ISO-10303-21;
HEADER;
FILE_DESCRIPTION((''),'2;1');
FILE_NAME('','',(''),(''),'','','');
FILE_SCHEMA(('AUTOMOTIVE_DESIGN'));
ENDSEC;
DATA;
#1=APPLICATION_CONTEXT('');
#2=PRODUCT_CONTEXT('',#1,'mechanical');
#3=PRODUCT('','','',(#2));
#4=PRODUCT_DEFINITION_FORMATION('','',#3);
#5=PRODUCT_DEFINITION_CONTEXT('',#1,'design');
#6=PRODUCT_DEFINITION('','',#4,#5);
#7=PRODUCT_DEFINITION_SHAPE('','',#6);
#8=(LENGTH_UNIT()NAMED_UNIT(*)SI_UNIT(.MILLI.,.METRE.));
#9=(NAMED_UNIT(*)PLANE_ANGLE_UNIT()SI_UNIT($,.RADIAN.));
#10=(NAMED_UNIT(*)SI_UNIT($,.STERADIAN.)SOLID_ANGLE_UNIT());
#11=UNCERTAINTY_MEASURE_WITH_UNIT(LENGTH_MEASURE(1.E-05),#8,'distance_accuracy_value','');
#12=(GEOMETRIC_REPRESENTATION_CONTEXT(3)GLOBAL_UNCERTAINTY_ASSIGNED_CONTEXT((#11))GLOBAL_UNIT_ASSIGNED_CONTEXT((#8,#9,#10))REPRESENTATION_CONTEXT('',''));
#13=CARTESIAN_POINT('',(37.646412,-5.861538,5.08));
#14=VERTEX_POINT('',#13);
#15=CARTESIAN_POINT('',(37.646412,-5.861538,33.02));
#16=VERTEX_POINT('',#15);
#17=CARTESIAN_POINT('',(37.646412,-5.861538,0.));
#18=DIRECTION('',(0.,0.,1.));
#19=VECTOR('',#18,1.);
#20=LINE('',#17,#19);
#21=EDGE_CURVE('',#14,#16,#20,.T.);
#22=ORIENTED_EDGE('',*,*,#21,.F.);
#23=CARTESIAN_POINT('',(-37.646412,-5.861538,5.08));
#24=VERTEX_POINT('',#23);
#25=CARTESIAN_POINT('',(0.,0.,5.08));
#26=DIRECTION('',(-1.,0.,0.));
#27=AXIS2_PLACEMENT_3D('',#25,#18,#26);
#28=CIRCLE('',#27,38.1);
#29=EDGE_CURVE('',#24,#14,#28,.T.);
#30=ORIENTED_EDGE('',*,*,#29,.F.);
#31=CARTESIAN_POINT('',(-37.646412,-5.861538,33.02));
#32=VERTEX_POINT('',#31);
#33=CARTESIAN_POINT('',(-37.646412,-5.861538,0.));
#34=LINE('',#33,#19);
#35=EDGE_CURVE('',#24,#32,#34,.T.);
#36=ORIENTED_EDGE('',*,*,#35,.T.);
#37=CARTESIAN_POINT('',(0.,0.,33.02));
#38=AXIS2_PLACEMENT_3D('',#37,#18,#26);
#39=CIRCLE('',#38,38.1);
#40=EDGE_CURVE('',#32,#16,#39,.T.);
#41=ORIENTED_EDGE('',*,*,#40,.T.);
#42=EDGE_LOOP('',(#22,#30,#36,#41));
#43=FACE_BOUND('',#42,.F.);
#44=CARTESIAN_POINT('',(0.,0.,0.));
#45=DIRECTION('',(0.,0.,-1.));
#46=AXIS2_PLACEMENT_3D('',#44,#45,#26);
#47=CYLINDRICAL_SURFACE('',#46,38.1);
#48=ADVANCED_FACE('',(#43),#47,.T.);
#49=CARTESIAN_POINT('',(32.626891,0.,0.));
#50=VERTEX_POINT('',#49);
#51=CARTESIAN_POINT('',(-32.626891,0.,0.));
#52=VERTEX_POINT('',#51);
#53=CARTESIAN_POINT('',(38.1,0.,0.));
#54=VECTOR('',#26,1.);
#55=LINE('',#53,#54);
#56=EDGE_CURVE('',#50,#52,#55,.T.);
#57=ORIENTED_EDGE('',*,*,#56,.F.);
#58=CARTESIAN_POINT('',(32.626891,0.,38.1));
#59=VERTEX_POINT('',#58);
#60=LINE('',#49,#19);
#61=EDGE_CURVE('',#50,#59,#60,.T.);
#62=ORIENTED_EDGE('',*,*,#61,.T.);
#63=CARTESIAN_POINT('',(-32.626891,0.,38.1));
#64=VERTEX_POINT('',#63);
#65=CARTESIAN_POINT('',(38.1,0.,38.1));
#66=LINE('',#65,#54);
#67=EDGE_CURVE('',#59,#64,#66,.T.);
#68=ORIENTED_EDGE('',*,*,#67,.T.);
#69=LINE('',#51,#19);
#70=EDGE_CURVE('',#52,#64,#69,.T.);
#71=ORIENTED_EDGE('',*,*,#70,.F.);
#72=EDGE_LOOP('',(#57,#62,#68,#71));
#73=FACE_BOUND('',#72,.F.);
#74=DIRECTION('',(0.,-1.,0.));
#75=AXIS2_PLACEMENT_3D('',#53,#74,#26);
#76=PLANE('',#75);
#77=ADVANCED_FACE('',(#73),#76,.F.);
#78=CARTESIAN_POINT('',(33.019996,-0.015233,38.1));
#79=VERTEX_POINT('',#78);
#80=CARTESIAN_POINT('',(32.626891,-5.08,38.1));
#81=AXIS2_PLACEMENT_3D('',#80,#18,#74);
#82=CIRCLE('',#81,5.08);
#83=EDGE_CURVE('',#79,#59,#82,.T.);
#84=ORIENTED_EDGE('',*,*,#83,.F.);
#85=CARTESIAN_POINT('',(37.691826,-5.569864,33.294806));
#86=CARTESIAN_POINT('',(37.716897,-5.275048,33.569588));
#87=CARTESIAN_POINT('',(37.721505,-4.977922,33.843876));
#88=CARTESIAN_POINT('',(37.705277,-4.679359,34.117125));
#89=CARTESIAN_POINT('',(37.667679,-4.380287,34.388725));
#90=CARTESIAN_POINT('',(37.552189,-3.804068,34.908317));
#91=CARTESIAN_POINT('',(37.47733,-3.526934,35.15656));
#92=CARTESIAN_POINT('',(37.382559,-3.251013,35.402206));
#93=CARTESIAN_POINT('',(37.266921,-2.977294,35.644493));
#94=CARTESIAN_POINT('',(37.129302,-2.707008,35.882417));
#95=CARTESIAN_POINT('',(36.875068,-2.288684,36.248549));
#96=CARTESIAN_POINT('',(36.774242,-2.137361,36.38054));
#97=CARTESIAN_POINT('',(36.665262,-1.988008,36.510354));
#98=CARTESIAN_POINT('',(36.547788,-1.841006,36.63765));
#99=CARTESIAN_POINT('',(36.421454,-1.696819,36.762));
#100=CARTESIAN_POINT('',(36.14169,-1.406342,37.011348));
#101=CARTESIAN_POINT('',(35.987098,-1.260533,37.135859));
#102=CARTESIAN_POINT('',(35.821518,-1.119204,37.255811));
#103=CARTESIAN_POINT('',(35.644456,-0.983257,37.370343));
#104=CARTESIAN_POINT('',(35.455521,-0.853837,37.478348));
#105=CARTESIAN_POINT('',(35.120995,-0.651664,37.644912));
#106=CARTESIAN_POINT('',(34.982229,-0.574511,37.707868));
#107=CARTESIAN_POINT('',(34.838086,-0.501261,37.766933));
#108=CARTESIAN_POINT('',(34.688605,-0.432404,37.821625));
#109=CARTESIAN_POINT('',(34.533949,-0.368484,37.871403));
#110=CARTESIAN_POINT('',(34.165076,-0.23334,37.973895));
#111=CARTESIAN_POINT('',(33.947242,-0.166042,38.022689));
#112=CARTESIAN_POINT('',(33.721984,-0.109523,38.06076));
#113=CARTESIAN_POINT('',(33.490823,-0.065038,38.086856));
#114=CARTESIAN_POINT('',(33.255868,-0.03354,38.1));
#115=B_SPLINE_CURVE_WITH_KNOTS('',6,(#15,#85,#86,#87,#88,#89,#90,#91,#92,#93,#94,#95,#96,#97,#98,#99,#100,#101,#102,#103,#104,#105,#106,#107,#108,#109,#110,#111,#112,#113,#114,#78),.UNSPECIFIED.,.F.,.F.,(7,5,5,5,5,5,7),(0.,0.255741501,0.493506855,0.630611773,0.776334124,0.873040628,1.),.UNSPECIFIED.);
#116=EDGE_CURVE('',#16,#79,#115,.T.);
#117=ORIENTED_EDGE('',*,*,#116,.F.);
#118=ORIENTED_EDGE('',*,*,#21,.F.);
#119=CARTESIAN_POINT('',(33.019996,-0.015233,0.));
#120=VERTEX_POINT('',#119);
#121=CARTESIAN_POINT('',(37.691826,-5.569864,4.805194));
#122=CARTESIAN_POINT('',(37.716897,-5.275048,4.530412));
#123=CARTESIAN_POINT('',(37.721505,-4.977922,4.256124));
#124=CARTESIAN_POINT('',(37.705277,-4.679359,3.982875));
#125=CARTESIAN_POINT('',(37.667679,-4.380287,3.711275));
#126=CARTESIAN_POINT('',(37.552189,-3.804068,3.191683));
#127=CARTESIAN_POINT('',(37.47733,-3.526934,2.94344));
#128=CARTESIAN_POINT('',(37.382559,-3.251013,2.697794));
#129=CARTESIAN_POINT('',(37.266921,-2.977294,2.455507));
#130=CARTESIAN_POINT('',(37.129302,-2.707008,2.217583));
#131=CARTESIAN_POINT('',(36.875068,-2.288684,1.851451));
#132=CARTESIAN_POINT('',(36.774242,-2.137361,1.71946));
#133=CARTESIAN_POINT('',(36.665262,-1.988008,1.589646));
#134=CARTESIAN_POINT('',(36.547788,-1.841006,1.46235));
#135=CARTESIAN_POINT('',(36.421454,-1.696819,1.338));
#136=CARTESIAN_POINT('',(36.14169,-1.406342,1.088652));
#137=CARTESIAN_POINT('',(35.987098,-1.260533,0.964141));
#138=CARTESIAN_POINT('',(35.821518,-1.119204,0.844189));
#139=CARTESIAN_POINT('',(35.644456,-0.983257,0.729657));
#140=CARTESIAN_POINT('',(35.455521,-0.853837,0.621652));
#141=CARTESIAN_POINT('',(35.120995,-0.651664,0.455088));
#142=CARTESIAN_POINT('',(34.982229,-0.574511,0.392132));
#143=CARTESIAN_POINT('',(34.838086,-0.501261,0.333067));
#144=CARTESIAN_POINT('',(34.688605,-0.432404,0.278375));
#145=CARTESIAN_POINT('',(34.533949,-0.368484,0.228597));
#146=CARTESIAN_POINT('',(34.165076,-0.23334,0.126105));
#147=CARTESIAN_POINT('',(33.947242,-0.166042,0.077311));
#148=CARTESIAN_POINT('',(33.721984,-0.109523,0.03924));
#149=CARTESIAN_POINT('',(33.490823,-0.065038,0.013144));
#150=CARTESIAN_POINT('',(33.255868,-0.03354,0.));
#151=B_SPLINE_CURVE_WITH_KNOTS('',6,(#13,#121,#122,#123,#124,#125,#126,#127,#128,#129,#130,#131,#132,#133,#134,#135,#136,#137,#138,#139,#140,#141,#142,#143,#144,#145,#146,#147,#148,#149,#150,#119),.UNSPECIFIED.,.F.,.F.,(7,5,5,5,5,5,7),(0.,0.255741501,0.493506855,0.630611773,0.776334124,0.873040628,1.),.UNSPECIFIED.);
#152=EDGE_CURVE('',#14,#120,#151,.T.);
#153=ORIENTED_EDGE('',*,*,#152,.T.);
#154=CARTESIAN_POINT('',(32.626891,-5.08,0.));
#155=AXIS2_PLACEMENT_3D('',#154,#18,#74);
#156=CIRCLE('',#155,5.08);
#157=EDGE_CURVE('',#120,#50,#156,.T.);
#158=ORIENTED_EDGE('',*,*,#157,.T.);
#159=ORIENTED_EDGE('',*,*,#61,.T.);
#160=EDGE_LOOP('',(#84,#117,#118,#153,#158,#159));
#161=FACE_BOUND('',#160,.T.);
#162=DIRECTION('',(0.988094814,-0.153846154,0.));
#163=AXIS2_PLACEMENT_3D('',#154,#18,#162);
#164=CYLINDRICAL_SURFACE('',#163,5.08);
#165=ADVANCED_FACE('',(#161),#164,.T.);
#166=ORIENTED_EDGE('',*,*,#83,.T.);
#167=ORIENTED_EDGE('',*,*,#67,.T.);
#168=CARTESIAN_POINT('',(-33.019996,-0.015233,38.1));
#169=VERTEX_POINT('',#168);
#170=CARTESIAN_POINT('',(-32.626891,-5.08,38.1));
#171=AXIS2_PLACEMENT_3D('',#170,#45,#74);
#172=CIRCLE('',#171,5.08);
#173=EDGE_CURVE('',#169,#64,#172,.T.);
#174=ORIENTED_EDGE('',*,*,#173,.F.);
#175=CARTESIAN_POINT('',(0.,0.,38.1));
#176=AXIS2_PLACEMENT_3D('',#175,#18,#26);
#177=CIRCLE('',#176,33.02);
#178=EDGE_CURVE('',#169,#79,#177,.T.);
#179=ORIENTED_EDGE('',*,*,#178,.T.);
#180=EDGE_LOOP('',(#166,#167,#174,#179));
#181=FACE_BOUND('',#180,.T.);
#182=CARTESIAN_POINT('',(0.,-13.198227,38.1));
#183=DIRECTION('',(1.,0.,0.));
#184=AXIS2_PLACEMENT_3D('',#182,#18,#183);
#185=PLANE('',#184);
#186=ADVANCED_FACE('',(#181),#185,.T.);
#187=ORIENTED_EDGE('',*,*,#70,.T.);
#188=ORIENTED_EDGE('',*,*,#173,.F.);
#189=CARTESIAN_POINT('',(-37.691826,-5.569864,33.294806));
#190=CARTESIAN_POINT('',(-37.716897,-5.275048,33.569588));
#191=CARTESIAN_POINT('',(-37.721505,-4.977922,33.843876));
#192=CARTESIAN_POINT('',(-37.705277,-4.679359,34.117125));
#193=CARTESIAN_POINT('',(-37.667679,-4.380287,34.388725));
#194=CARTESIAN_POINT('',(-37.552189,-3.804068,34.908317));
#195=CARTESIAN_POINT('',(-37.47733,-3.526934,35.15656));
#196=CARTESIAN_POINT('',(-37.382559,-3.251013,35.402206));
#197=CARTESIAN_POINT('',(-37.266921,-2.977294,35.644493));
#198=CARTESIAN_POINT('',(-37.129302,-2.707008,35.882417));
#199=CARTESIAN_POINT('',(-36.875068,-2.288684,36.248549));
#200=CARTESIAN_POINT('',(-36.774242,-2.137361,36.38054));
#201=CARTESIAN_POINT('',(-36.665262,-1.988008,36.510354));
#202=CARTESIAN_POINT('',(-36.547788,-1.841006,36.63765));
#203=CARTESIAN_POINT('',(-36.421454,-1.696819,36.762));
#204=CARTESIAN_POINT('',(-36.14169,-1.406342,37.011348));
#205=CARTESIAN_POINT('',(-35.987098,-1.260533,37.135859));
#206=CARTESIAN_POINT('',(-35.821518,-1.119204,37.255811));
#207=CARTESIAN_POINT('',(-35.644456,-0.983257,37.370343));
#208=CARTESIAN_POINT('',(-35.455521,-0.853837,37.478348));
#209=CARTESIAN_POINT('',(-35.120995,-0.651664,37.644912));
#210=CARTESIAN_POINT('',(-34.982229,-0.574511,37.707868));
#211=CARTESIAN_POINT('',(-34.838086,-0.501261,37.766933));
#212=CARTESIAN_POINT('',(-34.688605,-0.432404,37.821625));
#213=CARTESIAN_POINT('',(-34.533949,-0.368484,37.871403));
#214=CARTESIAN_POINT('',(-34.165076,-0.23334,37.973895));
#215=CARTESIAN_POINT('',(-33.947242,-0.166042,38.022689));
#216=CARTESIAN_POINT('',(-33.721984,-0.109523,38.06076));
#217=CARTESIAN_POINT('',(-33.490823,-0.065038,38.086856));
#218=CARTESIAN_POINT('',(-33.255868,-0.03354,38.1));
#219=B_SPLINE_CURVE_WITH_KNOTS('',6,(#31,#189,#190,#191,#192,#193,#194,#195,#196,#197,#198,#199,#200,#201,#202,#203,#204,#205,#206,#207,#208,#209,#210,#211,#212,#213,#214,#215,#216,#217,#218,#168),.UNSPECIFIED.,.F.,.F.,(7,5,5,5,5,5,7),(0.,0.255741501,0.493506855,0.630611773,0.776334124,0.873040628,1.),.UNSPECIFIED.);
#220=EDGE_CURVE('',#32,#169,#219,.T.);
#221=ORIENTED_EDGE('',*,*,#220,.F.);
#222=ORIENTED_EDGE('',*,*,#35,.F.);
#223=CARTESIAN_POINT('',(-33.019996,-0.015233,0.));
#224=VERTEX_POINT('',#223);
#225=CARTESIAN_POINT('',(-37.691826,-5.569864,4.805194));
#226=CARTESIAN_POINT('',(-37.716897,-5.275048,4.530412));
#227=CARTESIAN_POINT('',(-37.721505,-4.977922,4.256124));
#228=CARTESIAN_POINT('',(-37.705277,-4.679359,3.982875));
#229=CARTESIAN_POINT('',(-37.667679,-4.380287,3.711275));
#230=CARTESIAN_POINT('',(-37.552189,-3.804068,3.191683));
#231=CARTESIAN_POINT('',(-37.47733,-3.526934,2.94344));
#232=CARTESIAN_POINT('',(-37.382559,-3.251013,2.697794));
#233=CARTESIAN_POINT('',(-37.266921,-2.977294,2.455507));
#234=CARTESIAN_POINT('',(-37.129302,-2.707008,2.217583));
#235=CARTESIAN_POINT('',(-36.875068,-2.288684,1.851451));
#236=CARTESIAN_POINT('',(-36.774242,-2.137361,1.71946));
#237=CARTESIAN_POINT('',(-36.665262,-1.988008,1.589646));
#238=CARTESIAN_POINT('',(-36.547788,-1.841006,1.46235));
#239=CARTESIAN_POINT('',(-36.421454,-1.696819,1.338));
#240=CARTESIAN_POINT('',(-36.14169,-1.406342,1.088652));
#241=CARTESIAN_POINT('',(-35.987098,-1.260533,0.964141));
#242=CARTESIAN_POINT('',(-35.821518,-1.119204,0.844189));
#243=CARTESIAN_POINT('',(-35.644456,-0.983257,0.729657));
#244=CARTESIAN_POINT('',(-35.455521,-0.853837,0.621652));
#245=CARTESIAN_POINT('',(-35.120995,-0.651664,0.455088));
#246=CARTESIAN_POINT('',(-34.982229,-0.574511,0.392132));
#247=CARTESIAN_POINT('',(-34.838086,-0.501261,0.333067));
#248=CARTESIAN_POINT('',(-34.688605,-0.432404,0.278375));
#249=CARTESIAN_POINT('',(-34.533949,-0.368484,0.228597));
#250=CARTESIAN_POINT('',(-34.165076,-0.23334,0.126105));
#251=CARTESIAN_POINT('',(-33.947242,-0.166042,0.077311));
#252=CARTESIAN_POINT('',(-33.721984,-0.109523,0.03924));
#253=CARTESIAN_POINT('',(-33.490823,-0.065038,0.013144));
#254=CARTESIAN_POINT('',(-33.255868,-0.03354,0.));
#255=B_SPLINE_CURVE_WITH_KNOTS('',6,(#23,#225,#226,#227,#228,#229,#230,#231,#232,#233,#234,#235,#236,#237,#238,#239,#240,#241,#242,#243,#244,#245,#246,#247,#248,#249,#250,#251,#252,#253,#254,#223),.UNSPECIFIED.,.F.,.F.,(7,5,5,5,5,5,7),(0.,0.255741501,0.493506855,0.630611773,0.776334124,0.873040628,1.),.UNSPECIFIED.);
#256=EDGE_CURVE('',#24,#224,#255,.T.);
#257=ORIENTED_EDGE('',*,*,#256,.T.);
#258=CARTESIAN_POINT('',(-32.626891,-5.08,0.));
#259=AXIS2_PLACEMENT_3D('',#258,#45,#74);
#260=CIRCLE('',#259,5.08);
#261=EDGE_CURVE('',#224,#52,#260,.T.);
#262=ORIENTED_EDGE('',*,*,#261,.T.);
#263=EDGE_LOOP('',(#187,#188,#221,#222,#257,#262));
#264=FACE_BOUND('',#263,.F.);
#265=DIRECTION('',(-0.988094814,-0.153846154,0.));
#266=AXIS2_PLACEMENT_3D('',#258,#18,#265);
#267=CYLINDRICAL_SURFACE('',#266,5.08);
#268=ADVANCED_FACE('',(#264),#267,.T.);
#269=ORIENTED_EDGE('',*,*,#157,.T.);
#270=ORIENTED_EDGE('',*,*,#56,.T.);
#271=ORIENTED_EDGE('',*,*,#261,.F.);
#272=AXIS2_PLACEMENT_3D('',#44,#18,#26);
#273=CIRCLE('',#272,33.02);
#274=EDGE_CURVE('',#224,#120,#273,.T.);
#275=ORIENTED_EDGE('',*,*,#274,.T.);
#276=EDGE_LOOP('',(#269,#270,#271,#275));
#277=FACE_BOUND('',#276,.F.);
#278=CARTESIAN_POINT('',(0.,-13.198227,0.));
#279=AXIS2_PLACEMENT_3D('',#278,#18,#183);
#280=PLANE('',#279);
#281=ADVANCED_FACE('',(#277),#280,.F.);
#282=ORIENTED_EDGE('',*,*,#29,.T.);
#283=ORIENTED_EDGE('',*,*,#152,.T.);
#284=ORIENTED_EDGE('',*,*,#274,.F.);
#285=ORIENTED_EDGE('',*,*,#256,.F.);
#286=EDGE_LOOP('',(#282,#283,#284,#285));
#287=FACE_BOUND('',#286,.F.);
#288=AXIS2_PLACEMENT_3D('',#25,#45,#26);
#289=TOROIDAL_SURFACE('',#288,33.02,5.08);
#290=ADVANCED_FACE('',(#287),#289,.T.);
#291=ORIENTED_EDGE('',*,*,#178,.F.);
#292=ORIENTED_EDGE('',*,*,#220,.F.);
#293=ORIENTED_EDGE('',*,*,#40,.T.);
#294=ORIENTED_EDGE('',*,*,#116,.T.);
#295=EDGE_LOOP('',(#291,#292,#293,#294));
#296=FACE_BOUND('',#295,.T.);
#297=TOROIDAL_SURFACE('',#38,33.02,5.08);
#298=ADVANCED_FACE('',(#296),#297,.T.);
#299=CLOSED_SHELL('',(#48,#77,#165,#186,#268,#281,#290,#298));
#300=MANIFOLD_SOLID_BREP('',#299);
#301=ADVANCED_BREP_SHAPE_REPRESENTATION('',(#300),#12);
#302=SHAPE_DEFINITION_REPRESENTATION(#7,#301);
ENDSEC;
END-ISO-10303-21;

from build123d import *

# Parameters (mm, degrees)
F1_DEPTH = 38.1
F2_R     = 5.08


with BuildPart() as f1:
    # F0 (on Top) → F1 (new body)
    with BuildSketch(Plane.XY):
        with BuildLine():
            ThreePointArc((-38.1, 0), (0, -38.1), (38.1, 0))
            Line((38.1, 0), (-38.1, 0))
        make_face()
    extrude(amount=F1_DEPTH)

    # F2
    f2_edges = [f1.edges().sort_by_distance(p)[0] for p in [
        (0, -38.1, 38.1),
        (-38.1, 0, 19.05),
        (38.1, 0, 19.05),
        (0, -38.1, 0),
    ]]
    fillet(f2_edges, radius=F2_R)


solid = f1.part
